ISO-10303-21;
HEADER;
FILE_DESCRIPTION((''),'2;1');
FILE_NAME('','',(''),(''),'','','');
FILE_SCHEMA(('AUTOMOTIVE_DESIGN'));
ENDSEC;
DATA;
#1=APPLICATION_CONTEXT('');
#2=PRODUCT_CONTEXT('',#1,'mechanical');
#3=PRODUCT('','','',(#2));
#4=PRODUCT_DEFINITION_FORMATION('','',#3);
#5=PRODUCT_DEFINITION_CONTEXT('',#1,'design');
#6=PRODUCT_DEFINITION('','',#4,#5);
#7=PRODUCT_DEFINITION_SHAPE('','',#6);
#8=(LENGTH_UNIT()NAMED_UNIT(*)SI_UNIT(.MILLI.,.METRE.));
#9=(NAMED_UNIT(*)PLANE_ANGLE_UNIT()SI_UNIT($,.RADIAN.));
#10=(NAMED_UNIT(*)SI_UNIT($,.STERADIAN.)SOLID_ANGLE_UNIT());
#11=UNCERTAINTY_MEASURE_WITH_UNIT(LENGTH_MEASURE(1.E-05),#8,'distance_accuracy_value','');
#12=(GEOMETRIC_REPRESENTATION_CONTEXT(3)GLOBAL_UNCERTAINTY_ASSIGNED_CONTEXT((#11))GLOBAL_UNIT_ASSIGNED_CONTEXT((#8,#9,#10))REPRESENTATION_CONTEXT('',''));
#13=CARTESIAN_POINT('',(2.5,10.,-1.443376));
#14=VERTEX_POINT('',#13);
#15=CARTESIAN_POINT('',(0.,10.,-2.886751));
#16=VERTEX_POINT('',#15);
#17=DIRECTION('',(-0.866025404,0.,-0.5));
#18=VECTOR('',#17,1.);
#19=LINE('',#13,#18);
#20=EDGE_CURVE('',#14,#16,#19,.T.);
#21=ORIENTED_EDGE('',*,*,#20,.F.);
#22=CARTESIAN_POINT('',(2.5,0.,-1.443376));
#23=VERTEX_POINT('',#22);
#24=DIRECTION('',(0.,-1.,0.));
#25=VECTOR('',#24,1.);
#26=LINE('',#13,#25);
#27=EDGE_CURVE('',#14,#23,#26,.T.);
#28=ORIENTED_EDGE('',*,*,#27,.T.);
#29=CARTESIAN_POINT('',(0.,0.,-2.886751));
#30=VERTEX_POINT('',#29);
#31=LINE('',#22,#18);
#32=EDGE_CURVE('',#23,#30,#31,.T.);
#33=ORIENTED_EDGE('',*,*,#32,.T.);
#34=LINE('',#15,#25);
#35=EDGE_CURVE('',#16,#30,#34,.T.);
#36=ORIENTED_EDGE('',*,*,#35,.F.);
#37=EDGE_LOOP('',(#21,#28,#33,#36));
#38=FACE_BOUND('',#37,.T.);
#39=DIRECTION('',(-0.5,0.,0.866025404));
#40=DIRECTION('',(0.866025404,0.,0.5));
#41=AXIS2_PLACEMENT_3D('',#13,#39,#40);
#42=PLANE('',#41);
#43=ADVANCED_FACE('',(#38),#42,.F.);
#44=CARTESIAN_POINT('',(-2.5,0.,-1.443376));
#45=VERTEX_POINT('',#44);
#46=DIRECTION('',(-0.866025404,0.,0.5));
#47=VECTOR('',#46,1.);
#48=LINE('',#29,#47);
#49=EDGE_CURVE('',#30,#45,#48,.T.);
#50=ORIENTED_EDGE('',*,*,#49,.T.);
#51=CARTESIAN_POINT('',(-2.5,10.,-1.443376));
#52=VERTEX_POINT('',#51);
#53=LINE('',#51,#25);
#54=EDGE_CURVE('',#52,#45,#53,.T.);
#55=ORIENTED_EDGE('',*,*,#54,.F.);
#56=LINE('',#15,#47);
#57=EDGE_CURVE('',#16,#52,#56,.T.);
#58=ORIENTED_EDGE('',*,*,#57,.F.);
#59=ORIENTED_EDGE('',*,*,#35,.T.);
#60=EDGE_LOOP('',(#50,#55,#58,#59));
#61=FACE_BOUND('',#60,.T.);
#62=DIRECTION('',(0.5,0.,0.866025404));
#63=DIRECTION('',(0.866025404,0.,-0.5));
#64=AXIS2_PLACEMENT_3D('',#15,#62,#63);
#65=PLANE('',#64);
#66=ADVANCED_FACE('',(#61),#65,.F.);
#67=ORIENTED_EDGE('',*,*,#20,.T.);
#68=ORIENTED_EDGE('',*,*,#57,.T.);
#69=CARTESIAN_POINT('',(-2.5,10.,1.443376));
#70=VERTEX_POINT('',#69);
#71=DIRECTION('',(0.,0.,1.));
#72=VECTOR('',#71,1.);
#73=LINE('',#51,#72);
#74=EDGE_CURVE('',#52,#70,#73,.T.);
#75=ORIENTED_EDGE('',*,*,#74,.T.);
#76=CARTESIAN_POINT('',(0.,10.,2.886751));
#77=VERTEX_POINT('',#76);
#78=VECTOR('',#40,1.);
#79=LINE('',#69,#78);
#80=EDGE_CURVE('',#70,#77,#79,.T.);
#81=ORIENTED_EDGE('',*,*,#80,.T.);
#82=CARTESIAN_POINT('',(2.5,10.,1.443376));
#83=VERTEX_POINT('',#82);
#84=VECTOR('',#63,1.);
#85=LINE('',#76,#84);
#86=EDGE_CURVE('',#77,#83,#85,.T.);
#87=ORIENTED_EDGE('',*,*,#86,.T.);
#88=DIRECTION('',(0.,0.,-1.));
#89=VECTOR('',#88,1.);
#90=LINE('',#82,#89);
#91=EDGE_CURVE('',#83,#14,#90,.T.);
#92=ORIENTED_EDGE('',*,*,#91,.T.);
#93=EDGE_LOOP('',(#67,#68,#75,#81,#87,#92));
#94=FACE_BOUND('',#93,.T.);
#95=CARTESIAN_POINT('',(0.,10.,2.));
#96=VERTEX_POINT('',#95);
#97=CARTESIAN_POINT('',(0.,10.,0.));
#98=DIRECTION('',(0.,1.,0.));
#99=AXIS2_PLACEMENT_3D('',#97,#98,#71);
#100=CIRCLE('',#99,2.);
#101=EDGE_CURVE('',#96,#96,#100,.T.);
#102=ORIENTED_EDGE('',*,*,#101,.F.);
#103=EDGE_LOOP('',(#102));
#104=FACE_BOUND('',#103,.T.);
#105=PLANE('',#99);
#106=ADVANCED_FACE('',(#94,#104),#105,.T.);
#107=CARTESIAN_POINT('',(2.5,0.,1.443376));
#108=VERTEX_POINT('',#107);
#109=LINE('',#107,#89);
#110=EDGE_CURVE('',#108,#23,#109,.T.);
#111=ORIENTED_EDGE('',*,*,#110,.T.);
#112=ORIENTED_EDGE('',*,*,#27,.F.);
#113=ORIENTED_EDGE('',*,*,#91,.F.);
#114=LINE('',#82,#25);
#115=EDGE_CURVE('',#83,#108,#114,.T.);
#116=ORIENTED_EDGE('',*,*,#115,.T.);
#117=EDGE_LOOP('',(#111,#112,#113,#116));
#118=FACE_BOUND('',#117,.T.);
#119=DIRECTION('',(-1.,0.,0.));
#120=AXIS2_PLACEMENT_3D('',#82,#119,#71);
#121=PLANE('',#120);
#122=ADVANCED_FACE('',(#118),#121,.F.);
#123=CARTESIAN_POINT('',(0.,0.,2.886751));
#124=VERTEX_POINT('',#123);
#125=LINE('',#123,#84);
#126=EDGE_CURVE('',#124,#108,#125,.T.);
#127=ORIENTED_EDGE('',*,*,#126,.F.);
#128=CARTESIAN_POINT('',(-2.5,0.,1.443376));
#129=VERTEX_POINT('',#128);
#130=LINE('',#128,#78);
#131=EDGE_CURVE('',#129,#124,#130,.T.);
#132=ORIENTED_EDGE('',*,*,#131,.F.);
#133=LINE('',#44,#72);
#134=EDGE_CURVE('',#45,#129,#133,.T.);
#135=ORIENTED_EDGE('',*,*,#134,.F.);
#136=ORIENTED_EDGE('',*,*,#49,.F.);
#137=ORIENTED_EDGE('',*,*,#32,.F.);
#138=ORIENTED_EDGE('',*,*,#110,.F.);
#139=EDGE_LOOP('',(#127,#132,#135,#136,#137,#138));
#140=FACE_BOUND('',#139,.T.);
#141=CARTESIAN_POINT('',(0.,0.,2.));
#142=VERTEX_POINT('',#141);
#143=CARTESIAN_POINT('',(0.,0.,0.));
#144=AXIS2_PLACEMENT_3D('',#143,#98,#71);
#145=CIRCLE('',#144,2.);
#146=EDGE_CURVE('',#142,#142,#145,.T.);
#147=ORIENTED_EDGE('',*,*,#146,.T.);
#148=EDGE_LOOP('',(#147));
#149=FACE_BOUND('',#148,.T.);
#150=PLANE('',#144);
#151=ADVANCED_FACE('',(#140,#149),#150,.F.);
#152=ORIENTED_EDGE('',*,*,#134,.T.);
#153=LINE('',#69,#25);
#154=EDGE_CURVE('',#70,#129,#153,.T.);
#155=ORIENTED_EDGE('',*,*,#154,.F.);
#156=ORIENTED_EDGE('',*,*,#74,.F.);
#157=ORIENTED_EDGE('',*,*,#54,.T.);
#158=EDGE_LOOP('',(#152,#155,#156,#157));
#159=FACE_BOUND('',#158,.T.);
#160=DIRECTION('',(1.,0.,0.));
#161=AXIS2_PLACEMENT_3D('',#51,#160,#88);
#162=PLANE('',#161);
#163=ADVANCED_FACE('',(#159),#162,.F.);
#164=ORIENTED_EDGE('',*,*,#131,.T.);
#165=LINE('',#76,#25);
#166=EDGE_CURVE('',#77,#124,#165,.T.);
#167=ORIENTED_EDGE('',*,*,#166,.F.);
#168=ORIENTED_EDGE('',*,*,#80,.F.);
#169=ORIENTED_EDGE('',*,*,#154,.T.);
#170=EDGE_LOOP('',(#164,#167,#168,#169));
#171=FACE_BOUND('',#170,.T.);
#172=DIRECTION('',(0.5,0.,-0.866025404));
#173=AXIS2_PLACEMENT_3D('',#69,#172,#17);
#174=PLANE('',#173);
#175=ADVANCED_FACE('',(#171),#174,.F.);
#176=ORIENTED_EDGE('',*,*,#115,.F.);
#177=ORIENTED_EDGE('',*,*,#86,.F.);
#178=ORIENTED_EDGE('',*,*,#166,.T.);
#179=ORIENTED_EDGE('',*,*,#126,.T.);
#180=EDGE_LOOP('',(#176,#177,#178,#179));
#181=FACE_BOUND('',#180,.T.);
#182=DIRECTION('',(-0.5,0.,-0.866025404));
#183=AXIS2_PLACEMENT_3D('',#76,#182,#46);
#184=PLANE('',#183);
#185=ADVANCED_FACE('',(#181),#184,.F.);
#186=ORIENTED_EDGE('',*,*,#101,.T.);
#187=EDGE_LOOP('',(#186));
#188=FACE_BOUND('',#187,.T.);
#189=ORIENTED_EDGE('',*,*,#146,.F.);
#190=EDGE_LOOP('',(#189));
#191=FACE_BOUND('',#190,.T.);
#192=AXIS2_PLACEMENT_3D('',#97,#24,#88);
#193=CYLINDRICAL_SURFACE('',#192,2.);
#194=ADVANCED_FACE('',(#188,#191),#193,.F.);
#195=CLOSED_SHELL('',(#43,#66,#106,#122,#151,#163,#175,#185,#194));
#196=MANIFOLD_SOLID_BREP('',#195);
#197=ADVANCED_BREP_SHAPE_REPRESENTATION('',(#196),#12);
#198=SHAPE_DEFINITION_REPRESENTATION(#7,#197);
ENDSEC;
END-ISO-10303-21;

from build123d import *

# Parameters (mm, degrees)
SKETCH1_R           = 2
BOSS_EXTRUDE1_DEPTH = 10


with BuildPart() as part:
    # Sketch1 → Boss-Extrude1 (new body)
    with BuildSketch(Plane(origin=(0, 0, 0), x_dir=(1, 0, 0), z_dir=(0, 1, 0))):
        Polygon((0, 2.886751346), (-2.5, 1.443375673), (-2.5, -1.443375673), (0, -2.886751346), (2.5, -1.443375673), (2.5, 1.443375673), align=None)
        Circle(SKETCH1_R, mode=Mode.SUBTRACT)
    extrude(amount=BOSS_EXTRUDE1_DEPTH)


solid = part.part
